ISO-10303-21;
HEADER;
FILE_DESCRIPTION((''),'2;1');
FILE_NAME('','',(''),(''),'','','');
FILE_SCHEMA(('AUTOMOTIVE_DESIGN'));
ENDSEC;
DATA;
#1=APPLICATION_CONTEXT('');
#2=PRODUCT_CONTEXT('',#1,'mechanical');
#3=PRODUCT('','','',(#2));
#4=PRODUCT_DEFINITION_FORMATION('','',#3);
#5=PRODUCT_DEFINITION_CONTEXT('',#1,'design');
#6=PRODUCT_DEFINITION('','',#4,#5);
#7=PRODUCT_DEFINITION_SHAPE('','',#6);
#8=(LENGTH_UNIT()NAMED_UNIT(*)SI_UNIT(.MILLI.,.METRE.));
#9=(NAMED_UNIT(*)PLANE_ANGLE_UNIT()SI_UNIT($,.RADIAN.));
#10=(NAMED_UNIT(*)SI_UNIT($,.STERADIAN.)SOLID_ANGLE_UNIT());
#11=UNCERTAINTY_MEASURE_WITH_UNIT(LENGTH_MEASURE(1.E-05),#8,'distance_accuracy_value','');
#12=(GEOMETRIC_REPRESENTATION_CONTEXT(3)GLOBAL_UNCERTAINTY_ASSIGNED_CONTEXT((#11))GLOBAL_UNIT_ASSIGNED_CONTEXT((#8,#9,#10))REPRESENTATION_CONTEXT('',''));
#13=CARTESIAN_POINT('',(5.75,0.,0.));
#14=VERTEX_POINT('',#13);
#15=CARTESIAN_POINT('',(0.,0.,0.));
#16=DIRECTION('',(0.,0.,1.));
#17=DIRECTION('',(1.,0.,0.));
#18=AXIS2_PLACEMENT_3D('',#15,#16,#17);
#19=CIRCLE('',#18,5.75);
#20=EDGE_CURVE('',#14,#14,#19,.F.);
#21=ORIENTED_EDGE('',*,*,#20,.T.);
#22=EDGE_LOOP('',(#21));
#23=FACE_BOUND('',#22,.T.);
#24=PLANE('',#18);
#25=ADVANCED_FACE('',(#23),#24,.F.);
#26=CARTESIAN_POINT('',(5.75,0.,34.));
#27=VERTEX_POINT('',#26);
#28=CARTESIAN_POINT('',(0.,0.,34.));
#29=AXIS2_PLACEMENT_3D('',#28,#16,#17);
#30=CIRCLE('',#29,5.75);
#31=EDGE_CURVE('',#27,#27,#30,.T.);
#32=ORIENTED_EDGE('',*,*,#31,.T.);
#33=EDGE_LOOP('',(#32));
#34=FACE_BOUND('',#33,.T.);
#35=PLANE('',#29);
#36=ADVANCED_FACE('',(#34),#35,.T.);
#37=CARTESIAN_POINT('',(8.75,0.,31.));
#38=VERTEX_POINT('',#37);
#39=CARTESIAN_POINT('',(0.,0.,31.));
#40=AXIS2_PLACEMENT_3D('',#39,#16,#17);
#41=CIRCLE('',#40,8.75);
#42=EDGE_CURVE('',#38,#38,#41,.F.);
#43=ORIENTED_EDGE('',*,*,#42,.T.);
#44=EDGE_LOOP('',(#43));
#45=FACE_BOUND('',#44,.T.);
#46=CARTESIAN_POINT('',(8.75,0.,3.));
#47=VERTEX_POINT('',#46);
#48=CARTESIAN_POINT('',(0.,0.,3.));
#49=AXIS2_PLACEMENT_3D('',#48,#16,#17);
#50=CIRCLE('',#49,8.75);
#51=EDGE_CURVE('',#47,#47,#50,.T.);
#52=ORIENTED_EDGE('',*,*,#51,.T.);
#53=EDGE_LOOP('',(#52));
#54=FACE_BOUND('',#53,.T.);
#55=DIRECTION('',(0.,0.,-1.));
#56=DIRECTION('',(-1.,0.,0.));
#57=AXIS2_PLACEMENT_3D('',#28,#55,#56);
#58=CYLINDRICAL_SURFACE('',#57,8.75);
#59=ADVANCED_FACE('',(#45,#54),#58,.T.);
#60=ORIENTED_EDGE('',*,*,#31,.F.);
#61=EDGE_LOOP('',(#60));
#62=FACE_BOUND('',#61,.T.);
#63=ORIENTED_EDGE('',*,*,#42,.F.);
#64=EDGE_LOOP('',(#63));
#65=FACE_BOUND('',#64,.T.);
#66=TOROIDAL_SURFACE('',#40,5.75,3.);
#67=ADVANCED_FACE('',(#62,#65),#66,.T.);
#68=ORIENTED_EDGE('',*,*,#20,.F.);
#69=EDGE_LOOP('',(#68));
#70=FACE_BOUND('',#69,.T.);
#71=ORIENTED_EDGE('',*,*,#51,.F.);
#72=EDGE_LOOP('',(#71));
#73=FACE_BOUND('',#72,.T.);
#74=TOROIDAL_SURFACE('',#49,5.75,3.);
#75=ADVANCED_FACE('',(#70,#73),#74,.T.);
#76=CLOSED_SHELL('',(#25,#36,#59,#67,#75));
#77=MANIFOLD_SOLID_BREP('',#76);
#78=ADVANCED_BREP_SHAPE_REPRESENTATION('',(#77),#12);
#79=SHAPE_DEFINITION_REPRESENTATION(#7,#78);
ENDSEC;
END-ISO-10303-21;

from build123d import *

# Parameters (mm, degrees)
SKETCH2_R           = 8.75
BOSS_EXTRUDE1_DEPTH = 34
FILLET1_R           = 3


with BuildPart() as part:
    # Sketch2 → Boss-Extrude1 (new body)
    with BuildSketch(Plane.XY):
        Circle(SKETCH2_R)
    extrude(amount=BOSS_EXTRUDE1_DEPTH)

    # Fillet1
    fillet1_edges = [part.edges().sort_by_distance(p)[0] for p in [
        (-8.75, 0, 0),
        (-8.75, 0, 34),
    ]]
    fillet(fillet1_edges, radius=FILLET1_R)


solid = part.part
